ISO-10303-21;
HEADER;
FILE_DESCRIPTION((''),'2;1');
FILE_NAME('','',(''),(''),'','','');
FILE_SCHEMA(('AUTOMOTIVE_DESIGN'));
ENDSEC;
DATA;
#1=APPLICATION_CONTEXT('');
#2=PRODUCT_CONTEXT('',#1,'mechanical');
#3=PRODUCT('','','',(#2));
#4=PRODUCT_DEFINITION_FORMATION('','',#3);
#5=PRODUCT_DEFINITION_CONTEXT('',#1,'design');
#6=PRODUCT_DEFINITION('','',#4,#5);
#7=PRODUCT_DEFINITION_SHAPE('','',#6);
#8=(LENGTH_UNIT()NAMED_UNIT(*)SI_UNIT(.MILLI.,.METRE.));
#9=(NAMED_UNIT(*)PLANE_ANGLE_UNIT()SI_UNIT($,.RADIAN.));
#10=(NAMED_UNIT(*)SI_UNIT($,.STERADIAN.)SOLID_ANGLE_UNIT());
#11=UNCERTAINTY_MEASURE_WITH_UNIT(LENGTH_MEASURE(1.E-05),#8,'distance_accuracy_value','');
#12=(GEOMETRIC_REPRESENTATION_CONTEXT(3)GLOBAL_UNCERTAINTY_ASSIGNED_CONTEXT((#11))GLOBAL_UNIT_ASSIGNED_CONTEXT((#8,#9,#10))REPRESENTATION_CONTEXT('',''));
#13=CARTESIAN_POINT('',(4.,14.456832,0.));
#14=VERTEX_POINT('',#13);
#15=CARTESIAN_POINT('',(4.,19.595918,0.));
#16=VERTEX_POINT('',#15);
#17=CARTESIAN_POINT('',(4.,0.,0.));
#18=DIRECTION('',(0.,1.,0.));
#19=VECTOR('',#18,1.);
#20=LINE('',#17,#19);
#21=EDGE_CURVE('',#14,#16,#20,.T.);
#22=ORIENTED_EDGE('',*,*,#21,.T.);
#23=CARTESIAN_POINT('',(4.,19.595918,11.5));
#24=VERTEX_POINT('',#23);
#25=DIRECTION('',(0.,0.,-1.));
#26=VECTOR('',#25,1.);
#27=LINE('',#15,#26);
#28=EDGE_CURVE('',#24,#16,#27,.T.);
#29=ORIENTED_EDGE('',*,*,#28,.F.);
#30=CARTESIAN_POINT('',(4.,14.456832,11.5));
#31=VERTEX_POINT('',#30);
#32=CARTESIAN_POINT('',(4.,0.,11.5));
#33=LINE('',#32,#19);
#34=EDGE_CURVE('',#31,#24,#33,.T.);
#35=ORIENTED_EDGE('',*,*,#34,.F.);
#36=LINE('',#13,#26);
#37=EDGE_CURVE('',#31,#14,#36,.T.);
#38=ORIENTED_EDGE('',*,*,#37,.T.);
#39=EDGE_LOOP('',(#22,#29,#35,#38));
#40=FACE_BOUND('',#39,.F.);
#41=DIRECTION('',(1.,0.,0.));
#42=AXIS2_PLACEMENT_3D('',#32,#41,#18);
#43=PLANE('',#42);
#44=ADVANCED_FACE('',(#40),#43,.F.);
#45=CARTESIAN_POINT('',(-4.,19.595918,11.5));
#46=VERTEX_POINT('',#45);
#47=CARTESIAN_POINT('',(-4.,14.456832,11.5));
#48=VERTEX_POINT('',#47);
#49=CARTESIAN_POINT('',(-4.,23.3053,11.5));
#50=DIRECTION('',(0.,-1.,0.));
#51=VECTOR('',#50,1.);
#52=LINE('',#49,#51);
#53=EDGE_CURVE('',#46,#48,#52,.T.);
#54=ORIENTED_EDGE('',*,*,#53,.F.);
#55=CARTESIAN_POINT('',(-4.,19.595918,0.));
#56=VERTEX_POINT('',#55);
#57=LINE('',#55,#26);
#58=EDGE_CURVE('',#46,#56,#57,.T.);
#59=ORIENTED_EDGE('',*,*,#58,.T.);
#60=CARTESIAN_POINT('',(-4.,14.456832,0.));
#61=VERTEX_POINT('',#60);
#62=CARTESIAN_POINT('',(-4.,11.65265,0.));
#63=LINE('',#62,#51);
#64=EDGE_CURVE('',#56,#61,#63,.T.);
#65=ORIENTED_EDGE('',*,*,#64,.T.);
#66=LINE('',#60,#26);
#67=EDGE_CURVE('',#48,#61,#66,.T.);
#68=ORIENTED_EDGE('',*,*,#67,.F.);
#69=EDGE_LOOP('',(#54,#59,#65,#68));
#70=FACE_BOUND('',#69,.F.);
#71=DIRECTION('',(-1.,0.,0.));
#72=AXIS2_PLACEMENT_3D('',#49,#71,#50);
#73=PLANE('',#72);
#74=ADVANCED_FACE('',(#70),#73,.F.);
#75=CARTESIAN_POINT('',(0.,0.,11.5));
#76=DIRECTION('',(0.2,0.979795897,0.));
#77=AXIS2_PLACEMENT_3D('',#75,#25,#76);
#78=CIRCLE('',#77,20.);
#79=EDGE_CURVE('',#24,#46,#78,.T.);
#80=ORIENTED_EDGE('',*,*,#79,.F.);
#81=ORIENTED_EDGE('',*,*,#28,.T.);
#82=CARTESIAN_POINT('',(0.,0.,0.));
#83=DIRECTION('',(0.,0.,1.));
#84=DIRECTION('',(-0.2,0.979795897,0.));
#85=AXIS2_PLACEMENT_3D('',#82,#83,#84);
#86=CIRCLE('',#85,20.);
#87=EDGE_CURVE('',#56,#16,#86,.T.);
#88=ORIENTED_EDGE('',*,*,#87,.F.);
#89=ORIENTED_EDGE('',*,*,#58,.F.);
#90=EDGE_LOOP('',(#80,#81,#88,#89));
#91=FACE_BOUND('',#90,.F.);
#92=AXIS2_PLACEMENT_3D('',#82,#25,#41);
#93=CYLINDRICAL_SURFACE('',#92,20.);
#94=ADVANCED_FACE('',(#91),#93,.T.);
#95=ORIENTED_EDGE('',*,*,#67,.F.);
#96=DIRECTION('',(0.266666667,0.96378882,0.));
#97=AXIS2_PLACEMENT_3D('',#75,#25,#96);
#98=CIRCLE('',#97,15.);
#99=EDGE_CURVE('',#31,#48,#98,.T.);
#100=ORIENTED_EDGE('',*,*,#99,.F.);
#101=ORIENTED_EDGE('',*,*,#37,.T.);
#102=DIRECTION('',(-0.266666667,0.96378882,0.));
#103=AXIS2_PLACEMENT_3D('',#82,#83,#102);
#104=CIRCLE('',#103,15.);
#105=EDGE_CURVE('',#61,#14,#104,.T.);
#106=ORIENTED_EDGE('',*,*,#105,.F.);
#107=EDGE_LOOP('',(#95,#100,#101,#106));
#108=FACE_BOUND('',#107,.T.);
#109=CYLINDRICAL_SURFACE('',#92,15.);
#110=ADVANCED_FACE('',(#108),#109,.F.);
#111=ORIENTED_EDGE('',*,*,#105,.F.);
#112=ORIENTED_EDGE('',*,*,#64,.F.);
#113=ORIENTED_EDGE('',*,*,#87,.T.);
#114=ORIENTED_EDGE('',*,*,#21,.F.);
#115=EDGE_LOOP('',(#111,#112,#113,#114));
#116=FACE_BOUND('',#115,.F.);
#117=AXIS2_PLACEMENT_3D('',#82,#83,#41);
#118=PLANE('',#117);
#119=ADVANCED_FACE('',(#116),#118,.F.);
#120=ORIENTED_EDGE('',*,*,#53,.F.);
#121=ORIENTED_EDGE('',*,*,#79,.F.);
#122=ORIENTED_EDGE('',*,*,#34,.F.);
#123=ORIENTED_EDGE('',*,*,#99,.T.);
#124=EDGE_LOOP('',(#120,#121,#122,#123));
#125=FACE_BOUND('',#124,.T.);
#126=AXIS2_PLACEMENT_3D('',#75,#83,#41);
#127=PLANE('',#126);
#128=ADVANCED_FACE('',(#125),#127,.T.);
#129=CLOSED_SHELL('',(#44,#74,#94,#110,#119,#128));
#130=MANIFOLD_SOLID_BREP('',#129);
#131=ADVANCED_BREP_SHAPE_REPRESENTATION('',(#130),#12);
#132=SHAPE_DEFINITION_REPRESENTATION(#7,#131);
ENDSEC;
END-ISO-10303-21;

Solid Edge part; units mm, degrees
sketch "Sketch1" plane through (0, 0, 0) normal (0, 0, 1) x (1, 0, 0)
  circle A0 centre (0, 0) radius 20
  circle A1 centre (0, 0) radius 15
  dimension "D1" = 30
  dimension "D2" = 40
extrude "Protrusion1" add sketch "Sketch1" along normal blind 11.5
sketch "Sketch2" plane through (0, 0, 11.5) normal (0, 0, 1) x (1, 0, 0)
  line L0 (-4, 0) -> (4, 0)
  line L1 (4, 0) -> (4, 23.3053)
  line L2 (4, 23.3053) -> (-4, 23.3053)
  line L3 (-4, 23.3053) -> (-4, 0)
  dimension "D1" = 8
  dimension "D2" = 23.3053
extrude "Cutout1" cut sketch "Sketch2" against normal through all
